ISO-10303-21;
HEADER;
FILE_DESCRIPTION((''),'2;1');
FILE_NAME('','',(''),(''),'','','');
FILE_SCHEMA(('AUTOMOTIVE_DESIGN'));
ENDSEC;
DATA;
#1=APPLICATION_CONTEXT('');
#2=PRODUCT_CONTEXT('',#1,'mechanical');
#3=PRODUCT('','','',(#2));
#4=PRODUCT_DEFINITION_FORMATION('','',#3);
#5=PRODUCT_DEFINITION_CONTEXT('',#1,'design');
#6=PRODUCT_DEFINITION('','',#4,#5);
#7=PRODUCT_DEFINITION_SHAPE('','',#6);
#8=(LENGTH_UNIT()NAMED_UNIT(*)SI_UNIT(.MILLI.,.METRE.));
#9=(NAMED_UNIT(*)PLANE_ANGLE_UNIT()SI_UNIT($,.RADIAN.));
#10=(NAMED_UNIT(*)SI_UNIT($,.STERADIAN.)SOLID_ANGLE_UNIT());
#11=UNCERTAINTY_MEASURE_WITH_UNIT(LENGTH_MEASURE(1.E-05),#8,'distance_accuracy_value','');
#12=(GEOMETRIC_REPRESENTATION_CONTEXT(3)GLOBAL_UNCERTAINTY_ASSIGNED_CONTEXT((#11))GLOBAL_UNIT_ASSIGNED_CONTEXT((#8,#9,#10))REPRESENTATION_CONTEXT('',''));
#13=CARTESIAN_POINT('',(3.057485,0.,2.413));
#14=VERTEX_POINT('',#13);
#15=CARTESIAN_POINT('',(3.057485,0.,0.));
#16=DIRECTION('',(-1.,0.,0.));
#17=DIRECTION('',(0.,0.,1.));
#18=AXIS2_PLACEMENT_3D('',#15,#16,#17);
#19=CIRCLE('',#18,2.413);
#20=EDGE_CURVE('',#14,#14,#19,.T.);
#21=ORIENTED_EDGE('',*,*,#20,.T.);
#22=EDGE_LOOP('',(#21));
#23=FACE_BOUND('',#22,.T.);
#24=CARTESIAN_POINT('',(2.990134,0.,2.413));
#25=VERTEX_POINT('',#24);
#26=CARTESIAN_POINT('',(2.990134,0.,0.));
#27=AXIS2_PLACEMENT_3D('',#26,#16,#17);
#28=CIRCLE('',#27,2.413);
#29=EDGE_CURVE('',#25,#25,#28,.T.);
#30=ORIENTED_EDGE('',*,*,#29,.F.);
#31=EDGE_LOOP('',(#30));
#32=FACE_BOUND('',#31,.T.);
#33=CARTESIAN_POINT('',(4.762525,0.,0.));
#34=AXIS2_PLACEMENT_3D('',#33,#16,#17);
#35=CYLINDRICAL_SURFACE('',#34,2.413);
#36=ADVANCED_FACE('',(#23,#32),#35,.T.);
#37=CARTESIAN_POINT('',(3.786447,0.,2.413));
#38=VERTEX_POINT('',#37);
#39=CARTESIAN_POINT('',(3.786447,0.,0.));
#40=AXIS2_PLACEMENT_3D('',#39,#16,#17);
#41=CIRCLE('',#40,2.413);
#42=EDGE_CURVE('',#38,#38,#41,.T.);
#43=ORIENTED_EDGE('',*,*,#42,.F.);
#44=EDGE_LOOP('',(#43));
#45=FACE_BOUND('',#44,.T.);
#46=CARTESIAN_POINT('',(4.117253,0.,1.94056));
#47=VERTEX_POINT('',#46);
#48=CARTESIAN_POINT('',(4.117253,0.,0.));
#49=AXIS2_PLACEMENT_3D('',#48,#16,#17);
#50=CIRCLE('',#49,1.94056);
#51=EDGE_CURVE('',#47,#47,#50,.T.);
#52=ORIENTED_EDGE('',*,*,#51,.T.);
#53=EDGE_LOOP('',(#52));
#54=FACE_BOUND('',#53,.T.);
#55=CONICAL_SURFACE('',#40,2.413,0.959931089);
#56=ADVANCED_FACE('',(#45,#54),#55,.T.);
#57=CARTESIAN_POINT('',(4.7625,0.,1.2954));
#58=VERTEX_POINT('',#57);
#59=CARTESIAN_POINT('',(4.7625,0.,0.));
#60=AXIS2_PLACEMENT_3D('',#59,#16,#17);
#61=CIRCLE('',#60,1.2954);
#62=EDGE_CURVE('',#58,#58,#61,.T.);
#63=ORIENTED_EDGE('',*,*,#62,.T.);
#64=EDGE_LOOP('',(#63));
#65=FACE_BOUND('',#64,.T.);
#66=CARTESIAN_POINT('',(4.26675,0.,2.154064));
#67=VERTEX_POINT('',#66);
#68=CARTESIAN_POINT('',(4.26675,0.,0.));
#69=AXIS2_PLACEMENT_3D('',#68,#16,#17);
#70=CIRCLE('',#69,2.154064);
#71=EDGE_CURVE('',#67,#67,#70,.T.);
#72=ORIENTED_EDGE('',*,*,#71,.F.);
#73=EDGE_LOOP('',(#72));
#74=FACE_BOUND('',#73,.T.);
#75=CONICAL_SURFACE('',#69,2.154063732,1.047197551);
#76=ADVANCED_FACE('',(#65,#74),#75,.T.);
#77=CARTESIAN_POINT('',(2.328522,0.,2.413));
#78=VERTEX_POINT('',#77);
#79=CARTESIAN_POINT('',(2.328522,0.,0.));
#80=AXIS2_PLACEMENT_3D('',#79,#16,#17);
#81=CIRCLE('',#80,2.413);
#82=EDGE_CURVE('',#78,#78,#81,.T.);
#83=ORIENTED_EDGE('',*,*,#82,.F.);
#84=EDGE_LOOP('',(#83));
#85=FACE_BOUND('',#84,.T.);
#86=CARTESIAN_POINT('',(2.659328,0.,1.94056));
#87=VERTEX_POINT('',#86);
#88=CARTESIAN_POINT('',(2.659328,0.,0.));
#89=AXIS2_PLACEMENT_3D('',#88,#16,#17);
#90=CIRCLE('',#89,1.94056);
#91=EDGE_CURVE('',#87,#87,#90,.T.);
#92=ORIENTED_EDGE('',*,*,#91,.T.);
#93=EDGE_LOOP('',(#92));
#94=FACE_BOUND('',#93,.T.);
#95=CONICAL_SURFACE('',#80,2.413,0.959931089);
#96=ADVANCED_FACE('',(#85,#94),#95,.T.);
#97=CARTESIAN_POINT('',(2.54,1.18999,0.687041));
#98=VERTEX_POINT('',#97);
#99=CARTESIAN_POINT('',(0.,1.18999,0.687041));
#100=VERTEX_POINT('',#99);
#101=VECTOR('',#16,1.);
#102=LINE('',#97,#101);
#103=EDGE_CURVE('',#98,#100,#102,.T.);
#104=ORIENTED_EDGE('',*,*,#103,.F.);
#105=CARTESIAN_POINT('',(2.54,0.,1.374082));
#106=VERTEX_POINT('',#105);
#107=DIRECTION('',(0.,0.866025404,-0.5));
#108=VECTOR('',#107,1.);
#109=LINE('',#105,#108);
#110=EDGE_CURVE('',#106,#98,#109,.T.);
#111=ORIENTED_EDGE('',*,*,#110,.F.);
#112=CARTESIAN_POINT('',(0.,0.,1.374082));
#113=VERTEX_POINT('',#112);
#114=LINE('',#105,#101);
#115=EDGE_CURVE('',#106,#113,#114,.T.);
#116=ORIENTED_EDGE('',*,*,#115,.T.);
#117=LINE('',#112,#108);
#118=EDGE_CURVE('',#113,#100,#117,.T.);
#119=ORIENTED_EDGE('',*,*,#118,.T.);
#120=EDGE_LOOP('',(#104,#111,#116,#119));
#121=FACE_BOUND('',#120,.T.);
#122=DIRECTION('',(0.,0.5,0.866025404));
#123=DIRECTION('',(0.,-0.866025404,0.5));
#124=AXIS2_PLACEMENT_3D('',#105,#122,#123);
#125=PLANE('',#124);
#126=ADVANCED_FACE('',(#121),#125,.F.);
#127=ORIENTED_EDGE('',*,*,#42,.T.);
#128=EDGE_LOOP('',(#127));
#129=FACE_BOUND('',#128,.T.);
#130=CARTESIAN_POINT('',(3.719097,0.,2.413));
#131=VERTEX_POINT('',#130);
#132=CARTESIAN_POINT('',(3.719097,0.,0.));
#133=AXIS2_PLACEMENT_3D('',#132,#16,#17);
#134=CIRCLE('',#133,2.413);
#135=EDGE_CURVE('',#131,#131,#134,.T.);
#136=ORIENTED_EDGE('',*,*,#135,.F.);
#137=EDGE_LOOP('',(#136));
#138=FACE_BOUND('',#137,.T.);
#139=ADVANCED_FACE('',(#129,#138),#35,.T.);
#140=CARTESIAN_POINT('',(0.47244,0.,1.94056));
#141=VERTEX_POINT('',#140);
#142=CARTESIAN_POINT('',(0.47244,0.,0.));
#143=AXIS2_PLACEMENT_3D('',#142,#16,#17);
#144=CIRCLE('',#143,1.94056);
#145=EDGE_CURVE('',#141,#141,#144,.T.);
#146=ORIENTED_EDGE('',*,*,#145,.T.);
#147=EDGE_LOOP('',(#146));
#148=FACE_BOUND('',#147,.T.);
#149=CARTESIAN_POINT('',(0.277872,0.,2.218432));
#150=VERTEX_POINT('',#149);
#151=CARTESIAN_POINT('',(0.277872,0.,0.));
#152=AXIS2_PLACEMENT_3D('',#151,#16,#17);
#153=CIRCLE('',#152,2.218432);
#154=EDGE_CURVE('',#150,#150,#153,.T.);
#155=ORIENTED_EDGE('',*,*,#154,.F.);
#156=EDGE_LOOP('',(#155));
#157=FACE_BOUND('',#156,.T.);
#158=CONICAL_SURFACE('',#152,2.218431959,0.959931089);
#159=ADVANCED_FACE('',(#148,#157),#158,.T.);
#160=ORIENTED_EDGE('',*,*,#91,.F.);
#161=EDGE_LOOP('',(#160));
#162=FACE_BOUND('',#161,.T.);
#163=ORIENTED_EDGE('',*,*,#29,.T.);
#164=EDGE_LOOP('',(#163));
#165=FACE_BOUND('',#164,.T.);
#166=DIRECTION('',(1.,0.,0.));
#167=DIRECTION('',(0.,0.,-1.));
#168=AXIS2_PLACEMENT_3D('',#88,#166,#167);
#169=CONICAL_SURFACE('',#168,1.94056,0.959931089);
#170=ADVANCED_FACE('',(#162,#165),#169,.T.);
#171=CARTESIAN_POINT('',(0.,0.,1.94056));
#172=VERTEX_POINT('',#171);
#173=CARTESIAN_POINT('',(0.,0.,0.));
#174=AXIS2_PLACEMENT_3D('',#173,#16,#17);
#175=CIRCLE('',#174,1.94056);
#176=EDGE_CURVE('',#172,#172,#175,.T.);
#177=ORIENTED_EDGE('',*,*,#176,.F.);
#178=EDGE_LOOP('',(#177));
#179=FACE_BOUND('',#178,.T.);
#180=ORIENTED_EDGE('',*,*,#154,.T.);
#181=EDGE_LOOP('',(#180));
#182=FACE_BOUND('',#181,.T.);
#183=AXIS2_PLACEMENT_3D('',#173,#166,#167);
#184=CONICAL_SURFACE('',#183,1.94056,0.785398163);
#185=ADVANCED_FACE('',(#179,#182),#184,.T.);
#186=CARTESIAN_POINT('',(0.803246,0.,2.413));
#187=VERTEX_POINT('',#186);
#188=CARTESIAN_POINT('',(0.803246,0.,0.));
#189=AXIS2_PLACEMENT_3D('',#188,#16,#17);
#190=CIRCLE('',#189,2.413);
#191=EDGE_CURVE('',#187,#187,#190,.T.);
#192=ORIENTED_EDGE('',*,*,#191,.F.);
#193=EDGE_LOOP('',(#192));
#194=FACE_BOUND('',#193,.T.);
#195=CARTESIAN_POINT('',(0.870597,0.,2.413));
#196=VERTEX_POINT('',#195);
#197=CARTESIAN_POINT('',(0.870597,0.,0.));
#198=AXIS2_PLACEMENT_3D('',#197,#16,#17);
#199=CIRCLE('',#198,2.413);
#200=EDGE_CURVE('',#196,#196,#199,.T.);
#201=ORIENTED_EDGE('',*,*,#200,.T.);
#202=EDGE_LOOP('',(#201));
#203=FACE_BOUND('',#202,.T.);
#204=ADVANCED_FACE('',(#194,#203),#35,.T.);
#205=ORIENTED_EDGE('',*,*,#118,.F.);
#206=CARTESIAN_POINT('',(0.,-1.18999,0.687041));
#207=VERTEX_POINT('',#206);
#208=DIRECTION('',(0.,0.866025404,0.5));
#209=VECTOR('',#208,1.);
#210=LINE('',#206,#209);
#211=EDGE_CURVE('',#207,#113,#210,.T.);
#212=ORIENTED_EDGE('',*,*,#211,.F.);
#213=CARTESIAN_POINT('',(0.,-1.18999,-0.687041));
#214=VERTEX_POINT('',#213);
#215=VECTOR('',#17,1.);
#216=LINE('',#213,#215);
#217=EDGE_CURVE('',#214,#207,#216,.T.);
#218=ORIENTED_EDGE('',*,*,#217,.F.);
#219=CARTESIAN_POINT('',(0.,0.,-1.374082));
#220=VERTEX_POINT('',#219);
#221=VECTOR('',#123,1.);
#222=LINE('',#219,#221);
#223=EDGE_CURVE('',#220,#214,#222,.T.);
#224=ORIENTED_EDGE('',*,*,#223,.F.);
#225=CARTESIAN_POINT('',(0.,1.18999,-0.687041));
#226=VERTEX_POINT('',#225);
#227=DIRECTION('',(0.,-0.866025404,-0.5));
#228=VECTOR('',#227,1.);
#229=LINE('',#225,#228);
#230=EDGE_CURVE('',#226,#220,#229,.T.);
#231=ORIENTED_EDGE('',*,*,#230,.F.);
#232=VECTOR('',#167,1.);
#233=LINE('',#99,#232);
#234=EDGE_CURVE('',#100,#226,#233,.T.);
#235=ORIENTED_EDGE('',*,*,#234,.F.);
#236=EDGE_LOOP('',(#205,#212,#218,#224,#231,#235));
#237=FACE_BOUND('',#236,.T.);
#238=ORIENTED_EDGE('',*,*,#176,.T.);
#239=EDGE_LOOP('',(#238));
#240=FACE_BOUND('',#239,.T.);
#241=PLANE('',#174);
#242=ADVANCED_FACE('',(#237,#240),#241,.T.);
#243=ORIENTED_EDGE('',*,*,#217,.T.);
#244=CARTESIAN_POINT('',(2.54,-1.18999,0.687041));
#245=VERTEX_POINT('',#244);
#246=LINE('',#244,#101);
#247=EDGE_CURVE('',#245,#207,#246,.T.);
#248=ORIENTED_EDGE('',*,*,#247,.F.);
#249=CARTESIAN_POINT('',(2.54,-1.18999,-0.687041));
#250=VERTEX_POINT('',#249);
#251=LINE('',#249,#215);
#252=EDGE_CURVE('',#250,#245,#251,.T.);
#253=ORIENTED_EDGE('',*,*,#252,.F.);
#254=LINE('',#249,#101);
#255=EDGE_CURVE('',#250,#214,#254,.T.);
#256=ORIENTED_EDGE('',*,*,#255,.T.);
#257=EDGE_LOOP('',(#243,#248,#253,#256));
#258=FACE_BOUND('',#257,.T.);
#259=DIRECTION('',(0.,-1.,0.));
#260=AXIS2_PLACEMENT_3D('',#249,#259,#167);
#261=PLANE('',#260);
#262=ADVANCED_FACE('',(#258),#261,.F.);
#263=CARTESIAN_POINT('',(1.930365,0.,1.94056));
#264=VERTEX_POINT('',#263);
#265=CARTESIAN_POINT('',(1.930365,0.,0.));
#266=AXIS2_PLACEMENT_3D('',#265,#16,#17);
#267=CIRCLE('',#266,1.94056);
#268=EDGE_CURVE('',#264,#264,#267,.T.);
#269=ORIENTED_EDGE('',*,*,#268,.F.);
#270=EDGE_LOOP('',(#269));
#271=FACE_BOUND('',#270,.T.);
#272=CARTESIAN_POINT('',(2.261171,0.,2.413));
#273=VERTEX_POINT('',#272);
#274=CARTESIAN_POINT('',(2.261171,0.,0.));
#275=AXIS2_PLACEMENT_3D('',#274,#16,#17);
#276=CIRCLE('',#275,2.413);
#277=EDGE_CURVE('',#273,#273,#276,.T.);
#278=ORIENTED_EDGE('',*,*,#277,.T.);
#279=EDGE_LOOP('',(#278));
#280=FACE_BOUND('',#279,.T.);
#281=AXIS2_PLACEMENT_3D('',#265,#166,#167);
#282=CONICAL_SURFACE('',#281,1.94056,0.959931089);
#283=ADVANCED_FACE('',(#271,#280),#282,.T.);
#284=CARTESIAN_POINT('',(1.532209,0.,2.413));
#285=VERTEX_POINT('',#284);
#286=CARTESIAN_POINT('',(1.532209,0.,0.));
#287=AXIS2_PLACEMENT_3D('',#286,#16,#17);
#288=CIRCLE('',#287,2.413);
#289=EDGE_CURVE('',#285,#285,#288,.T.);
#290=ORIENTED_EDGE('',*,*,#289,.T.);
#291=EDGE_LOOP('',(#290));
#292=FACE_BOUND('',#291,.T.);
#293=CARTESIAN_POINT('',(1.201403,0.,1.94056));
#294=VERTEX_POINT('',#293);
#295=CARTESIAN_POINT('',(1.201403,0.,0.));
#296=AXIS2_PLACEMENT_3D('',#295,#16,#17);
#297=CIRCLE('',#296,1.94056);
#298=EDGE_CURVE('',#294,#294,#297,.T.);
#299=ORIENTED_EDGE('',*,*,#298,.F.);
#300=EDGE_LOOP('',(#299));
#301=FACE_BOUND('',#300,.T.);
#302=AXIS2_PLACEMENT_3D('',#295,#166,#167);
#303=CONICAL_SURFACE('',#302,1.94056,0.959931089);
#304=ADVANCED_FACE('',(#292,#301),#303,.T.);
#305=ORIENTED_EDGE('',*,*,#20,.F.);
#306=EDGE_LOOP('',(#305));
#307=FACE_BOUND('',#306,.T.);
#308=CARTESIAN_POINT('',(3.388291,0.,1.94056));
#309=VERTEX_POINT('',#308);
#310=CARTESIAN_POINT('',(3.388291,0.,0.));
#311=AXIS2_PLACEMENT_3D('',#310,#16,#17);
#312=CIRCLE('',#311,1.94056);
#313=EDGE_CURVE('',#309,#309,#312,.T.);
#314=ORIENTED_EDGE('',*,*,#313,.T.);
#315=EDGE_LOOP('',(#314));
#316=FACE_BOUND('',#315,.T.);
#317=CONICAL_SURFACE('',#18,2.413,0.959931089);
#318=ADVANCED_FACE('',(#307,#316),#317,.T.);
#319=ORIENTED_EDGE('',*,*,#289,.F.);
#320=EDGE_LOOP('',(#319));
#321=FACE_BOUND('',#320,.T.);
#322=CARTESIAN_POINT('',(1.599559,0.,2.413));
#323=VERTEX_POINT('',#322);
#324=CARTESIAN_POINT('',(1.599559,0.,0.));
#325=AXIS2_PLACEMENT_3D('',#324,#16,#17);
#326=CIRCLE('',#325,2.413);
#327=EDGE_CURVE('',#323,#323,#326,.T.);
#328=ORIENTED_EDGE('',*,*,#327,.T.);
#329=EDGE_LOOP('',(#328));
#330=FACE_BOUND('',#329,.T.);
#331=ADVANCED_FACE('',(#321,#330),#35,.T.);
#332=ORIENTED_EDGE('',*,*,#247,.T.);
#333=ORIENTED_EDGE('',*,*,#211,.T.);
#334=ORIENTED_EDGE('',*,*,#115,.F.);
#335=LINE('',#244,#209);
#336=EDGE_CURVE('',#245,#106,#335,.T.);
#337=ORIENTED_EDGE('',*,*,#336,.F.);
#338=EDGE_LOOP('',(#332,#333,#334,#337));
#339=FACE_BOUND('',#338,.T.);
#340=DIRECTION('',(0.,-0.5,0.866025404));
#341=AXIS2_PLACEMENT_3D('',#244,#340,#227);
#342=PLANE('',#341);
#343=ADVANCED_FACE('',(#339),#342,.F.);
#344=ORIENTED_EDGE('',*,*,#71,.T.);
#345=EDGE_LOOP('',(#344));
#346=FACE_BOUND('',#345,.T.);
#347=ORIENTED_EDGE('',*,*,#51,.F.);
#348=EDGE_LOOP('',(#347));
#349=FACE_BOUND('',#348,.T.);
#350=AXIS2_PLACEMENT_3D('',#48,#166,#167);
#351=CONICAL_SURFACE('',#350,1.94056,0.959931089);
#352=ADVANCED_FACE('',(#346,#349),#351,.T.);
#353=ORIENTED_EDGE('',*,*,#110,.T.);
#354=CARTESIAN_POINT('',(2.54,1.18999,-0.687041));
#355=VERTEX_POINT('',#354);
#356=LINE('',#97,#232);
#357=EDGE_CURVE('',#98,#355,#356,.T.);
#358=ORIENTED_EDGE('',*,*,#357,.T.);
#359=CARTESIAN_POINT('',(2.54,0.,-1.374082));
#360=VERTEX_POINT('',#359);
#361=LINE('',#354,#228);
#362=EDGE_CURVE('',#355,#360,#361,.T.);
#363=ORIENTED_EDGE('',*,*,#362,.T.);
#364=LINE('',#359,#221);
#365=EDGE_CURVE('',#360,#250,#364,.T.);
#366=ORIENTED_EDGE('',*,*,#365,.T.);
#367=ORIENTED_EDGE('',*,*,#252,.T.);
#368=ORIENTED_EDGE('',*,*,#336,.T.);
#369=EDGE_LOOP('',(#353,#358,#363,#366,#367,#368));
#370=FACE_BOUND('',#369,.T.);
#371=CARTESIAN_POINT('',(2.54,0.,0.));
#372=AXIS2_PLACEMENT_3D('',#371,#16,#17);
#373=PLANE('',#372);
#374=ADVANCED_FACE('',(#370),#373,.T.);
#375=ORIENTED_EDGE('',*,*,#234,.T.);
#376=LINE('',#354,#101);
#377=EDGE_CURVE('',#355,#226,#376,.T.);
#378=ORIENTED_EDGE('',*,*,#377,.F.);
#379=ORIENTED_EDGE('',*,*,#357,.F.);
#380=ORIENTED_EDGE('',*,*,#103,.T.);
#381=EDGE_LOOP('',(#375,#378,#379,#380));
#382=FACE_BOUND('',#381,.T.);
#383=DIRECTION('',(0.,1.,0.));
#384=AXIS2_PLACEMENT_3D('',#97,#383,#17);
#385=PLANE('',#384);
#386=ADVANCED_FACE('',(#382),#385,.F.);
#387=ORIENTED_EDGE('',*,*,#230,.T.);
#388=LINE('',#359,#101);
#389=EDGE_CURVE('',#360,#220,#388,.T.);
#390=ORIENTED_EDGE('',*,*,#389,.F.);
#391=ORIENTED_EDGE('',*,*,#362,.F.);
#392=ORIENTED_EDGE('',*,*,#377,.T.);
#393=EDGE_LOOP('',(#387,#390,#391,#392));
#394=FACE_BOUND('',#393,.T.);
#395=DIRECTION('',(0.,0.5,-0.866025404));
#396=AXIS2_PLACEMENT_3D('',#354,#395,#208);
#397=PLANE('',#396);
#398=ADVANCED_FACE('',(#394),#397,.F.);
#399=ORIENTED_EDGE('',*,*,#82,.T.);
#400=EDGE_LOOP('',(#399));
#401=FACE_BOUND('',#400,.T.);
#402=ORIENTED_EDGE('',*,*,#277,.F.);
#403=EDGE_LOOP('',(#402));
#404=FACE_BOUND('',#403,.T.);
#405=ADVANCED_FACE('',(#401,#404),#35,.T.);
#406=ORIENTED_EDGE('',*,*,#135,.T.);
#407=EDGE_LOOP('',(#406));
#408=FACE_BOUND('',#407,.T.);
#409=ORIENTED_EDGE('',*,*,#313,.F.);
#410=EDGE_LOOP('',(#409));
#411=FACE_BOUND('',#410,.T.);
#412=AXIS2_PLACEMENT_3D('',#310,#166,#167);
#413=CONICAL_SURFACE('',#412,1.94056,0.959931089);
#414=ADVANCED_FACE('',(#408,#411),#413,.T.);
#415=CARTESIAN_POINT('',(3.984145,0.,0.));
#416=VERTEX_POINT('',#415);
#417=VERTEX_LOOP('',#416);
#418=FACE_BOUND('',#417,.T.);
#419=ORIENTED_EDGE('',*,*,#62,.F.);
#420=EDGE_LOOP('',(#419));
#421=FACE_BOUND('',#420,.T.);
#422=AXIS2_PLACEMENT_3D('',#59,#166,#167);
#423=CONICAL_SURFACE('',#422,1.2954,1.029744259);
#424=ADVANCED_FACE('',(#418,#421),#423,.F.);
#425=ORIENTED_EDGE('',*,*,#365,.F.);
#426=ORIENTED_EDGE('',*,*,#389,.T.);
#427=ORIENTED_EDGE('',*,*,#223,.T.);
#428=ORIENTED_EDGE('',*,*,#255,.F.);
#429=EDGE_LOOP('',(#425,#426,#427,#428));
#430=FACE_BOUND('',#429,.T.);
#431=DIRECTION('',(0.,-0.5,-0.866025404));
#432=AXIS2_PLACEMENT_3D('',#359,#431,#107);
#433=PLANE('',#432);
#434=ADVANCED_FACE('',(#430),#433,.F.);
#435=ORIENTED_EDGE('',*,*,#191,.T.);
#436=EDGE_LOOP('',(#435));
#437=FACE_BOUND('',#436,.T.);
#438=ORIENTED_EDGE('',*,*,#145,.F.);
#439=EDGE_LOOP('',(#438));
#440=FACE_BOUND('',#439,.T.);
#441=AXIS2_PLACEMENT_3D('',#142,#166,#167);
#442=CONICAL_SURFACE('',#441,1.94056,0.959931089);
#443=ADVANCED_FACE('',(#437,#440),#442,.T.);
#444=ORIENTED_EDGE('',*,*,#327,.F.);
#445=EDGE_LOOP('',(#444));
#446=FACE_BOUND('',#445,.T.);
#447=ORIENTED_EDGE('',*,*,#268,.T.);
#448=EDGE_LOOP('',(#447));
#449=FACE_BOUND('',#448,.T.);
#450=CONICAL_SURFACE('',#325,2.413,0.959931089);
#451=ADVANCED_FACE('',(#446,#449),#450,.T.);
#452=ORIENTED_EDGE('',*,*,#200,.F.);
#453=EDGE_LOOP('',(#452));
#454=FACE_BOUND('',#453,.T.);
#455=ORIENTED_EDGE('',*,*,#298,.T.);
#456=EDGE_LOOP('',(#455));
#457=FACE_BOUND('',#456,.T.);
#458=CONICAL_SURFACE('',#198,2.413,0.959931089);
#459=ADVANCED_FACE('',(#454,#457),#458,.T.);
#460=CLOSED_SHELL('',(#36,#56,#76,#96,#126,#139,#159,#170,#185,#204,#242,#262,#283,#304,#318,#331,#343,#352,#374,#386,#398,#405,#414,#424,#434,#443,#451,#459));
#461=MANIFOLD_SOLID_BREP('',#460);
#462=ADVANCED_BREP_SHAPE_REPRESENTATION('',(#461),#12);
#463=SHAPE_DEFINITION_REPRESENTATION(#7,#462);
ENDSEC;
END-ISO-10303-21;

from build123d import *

# Parameters (mm, degrees)
CUT_EXTRUDE1_DEPTH = 2.54


with BuildPart() as part:
    # Sketch1 → Revolve1 (revolve)
    with BuildSketch(Plane(origin=(0, 0, 0), x_dir=(-1, 0, 0), z_dir=(0, 0, -1)), mode=Mode.PRIVATE) as revolve1_sk:
        Polygon((-4.7625, 1.2954), (-3.984145154, 0), (0, 0), (0, 1.94056), (-0.277871959, 2.218431959), (-0.47244, 1.94056), (-0.803246049, 2.413), (-0.870596619, 2.413), (-1.201402668, 1.94056), (-1.532208718, 2.413), (-1.599559287, 2.413), (-1.930365336, 1.94056), (-2.261171385, 2.413), (-2.328521955, 2.413), (-2.659328004, 1.94056), (-2.990134054, 2.413), (-3.057484623, 2.413), (-3.388290672, 1.94056), (-3.719096722, 2.413), (-3.786447291, 2.413), (-4.11725334, 1.94056), (-4.266750263, 2.154063732), align=None)
    revolve(revolve1_sk.sketch.rotate(Axis((4.762525, 0, 0), (-1, 0, 0)), 270), axis=Axis((4.762525, 0, 0), (-1, 0, 0)))

    # Sketch2 → Cut-Extrude1 (cut)
    with BuildSketch(Plane.ZY):
        Polygon((1.374082094, 0), (0.687041047, 1.18999), (-0.687041047, 1.18999), (-1.374082094, 0), (-0.687041047, -1.18999), (0.687041047, -1.18999), align=None)
    extrude(amount=-CUT_EXTRUDE1_DEPTH, mode=Mode.SUBTRACT)


solid = part.part
